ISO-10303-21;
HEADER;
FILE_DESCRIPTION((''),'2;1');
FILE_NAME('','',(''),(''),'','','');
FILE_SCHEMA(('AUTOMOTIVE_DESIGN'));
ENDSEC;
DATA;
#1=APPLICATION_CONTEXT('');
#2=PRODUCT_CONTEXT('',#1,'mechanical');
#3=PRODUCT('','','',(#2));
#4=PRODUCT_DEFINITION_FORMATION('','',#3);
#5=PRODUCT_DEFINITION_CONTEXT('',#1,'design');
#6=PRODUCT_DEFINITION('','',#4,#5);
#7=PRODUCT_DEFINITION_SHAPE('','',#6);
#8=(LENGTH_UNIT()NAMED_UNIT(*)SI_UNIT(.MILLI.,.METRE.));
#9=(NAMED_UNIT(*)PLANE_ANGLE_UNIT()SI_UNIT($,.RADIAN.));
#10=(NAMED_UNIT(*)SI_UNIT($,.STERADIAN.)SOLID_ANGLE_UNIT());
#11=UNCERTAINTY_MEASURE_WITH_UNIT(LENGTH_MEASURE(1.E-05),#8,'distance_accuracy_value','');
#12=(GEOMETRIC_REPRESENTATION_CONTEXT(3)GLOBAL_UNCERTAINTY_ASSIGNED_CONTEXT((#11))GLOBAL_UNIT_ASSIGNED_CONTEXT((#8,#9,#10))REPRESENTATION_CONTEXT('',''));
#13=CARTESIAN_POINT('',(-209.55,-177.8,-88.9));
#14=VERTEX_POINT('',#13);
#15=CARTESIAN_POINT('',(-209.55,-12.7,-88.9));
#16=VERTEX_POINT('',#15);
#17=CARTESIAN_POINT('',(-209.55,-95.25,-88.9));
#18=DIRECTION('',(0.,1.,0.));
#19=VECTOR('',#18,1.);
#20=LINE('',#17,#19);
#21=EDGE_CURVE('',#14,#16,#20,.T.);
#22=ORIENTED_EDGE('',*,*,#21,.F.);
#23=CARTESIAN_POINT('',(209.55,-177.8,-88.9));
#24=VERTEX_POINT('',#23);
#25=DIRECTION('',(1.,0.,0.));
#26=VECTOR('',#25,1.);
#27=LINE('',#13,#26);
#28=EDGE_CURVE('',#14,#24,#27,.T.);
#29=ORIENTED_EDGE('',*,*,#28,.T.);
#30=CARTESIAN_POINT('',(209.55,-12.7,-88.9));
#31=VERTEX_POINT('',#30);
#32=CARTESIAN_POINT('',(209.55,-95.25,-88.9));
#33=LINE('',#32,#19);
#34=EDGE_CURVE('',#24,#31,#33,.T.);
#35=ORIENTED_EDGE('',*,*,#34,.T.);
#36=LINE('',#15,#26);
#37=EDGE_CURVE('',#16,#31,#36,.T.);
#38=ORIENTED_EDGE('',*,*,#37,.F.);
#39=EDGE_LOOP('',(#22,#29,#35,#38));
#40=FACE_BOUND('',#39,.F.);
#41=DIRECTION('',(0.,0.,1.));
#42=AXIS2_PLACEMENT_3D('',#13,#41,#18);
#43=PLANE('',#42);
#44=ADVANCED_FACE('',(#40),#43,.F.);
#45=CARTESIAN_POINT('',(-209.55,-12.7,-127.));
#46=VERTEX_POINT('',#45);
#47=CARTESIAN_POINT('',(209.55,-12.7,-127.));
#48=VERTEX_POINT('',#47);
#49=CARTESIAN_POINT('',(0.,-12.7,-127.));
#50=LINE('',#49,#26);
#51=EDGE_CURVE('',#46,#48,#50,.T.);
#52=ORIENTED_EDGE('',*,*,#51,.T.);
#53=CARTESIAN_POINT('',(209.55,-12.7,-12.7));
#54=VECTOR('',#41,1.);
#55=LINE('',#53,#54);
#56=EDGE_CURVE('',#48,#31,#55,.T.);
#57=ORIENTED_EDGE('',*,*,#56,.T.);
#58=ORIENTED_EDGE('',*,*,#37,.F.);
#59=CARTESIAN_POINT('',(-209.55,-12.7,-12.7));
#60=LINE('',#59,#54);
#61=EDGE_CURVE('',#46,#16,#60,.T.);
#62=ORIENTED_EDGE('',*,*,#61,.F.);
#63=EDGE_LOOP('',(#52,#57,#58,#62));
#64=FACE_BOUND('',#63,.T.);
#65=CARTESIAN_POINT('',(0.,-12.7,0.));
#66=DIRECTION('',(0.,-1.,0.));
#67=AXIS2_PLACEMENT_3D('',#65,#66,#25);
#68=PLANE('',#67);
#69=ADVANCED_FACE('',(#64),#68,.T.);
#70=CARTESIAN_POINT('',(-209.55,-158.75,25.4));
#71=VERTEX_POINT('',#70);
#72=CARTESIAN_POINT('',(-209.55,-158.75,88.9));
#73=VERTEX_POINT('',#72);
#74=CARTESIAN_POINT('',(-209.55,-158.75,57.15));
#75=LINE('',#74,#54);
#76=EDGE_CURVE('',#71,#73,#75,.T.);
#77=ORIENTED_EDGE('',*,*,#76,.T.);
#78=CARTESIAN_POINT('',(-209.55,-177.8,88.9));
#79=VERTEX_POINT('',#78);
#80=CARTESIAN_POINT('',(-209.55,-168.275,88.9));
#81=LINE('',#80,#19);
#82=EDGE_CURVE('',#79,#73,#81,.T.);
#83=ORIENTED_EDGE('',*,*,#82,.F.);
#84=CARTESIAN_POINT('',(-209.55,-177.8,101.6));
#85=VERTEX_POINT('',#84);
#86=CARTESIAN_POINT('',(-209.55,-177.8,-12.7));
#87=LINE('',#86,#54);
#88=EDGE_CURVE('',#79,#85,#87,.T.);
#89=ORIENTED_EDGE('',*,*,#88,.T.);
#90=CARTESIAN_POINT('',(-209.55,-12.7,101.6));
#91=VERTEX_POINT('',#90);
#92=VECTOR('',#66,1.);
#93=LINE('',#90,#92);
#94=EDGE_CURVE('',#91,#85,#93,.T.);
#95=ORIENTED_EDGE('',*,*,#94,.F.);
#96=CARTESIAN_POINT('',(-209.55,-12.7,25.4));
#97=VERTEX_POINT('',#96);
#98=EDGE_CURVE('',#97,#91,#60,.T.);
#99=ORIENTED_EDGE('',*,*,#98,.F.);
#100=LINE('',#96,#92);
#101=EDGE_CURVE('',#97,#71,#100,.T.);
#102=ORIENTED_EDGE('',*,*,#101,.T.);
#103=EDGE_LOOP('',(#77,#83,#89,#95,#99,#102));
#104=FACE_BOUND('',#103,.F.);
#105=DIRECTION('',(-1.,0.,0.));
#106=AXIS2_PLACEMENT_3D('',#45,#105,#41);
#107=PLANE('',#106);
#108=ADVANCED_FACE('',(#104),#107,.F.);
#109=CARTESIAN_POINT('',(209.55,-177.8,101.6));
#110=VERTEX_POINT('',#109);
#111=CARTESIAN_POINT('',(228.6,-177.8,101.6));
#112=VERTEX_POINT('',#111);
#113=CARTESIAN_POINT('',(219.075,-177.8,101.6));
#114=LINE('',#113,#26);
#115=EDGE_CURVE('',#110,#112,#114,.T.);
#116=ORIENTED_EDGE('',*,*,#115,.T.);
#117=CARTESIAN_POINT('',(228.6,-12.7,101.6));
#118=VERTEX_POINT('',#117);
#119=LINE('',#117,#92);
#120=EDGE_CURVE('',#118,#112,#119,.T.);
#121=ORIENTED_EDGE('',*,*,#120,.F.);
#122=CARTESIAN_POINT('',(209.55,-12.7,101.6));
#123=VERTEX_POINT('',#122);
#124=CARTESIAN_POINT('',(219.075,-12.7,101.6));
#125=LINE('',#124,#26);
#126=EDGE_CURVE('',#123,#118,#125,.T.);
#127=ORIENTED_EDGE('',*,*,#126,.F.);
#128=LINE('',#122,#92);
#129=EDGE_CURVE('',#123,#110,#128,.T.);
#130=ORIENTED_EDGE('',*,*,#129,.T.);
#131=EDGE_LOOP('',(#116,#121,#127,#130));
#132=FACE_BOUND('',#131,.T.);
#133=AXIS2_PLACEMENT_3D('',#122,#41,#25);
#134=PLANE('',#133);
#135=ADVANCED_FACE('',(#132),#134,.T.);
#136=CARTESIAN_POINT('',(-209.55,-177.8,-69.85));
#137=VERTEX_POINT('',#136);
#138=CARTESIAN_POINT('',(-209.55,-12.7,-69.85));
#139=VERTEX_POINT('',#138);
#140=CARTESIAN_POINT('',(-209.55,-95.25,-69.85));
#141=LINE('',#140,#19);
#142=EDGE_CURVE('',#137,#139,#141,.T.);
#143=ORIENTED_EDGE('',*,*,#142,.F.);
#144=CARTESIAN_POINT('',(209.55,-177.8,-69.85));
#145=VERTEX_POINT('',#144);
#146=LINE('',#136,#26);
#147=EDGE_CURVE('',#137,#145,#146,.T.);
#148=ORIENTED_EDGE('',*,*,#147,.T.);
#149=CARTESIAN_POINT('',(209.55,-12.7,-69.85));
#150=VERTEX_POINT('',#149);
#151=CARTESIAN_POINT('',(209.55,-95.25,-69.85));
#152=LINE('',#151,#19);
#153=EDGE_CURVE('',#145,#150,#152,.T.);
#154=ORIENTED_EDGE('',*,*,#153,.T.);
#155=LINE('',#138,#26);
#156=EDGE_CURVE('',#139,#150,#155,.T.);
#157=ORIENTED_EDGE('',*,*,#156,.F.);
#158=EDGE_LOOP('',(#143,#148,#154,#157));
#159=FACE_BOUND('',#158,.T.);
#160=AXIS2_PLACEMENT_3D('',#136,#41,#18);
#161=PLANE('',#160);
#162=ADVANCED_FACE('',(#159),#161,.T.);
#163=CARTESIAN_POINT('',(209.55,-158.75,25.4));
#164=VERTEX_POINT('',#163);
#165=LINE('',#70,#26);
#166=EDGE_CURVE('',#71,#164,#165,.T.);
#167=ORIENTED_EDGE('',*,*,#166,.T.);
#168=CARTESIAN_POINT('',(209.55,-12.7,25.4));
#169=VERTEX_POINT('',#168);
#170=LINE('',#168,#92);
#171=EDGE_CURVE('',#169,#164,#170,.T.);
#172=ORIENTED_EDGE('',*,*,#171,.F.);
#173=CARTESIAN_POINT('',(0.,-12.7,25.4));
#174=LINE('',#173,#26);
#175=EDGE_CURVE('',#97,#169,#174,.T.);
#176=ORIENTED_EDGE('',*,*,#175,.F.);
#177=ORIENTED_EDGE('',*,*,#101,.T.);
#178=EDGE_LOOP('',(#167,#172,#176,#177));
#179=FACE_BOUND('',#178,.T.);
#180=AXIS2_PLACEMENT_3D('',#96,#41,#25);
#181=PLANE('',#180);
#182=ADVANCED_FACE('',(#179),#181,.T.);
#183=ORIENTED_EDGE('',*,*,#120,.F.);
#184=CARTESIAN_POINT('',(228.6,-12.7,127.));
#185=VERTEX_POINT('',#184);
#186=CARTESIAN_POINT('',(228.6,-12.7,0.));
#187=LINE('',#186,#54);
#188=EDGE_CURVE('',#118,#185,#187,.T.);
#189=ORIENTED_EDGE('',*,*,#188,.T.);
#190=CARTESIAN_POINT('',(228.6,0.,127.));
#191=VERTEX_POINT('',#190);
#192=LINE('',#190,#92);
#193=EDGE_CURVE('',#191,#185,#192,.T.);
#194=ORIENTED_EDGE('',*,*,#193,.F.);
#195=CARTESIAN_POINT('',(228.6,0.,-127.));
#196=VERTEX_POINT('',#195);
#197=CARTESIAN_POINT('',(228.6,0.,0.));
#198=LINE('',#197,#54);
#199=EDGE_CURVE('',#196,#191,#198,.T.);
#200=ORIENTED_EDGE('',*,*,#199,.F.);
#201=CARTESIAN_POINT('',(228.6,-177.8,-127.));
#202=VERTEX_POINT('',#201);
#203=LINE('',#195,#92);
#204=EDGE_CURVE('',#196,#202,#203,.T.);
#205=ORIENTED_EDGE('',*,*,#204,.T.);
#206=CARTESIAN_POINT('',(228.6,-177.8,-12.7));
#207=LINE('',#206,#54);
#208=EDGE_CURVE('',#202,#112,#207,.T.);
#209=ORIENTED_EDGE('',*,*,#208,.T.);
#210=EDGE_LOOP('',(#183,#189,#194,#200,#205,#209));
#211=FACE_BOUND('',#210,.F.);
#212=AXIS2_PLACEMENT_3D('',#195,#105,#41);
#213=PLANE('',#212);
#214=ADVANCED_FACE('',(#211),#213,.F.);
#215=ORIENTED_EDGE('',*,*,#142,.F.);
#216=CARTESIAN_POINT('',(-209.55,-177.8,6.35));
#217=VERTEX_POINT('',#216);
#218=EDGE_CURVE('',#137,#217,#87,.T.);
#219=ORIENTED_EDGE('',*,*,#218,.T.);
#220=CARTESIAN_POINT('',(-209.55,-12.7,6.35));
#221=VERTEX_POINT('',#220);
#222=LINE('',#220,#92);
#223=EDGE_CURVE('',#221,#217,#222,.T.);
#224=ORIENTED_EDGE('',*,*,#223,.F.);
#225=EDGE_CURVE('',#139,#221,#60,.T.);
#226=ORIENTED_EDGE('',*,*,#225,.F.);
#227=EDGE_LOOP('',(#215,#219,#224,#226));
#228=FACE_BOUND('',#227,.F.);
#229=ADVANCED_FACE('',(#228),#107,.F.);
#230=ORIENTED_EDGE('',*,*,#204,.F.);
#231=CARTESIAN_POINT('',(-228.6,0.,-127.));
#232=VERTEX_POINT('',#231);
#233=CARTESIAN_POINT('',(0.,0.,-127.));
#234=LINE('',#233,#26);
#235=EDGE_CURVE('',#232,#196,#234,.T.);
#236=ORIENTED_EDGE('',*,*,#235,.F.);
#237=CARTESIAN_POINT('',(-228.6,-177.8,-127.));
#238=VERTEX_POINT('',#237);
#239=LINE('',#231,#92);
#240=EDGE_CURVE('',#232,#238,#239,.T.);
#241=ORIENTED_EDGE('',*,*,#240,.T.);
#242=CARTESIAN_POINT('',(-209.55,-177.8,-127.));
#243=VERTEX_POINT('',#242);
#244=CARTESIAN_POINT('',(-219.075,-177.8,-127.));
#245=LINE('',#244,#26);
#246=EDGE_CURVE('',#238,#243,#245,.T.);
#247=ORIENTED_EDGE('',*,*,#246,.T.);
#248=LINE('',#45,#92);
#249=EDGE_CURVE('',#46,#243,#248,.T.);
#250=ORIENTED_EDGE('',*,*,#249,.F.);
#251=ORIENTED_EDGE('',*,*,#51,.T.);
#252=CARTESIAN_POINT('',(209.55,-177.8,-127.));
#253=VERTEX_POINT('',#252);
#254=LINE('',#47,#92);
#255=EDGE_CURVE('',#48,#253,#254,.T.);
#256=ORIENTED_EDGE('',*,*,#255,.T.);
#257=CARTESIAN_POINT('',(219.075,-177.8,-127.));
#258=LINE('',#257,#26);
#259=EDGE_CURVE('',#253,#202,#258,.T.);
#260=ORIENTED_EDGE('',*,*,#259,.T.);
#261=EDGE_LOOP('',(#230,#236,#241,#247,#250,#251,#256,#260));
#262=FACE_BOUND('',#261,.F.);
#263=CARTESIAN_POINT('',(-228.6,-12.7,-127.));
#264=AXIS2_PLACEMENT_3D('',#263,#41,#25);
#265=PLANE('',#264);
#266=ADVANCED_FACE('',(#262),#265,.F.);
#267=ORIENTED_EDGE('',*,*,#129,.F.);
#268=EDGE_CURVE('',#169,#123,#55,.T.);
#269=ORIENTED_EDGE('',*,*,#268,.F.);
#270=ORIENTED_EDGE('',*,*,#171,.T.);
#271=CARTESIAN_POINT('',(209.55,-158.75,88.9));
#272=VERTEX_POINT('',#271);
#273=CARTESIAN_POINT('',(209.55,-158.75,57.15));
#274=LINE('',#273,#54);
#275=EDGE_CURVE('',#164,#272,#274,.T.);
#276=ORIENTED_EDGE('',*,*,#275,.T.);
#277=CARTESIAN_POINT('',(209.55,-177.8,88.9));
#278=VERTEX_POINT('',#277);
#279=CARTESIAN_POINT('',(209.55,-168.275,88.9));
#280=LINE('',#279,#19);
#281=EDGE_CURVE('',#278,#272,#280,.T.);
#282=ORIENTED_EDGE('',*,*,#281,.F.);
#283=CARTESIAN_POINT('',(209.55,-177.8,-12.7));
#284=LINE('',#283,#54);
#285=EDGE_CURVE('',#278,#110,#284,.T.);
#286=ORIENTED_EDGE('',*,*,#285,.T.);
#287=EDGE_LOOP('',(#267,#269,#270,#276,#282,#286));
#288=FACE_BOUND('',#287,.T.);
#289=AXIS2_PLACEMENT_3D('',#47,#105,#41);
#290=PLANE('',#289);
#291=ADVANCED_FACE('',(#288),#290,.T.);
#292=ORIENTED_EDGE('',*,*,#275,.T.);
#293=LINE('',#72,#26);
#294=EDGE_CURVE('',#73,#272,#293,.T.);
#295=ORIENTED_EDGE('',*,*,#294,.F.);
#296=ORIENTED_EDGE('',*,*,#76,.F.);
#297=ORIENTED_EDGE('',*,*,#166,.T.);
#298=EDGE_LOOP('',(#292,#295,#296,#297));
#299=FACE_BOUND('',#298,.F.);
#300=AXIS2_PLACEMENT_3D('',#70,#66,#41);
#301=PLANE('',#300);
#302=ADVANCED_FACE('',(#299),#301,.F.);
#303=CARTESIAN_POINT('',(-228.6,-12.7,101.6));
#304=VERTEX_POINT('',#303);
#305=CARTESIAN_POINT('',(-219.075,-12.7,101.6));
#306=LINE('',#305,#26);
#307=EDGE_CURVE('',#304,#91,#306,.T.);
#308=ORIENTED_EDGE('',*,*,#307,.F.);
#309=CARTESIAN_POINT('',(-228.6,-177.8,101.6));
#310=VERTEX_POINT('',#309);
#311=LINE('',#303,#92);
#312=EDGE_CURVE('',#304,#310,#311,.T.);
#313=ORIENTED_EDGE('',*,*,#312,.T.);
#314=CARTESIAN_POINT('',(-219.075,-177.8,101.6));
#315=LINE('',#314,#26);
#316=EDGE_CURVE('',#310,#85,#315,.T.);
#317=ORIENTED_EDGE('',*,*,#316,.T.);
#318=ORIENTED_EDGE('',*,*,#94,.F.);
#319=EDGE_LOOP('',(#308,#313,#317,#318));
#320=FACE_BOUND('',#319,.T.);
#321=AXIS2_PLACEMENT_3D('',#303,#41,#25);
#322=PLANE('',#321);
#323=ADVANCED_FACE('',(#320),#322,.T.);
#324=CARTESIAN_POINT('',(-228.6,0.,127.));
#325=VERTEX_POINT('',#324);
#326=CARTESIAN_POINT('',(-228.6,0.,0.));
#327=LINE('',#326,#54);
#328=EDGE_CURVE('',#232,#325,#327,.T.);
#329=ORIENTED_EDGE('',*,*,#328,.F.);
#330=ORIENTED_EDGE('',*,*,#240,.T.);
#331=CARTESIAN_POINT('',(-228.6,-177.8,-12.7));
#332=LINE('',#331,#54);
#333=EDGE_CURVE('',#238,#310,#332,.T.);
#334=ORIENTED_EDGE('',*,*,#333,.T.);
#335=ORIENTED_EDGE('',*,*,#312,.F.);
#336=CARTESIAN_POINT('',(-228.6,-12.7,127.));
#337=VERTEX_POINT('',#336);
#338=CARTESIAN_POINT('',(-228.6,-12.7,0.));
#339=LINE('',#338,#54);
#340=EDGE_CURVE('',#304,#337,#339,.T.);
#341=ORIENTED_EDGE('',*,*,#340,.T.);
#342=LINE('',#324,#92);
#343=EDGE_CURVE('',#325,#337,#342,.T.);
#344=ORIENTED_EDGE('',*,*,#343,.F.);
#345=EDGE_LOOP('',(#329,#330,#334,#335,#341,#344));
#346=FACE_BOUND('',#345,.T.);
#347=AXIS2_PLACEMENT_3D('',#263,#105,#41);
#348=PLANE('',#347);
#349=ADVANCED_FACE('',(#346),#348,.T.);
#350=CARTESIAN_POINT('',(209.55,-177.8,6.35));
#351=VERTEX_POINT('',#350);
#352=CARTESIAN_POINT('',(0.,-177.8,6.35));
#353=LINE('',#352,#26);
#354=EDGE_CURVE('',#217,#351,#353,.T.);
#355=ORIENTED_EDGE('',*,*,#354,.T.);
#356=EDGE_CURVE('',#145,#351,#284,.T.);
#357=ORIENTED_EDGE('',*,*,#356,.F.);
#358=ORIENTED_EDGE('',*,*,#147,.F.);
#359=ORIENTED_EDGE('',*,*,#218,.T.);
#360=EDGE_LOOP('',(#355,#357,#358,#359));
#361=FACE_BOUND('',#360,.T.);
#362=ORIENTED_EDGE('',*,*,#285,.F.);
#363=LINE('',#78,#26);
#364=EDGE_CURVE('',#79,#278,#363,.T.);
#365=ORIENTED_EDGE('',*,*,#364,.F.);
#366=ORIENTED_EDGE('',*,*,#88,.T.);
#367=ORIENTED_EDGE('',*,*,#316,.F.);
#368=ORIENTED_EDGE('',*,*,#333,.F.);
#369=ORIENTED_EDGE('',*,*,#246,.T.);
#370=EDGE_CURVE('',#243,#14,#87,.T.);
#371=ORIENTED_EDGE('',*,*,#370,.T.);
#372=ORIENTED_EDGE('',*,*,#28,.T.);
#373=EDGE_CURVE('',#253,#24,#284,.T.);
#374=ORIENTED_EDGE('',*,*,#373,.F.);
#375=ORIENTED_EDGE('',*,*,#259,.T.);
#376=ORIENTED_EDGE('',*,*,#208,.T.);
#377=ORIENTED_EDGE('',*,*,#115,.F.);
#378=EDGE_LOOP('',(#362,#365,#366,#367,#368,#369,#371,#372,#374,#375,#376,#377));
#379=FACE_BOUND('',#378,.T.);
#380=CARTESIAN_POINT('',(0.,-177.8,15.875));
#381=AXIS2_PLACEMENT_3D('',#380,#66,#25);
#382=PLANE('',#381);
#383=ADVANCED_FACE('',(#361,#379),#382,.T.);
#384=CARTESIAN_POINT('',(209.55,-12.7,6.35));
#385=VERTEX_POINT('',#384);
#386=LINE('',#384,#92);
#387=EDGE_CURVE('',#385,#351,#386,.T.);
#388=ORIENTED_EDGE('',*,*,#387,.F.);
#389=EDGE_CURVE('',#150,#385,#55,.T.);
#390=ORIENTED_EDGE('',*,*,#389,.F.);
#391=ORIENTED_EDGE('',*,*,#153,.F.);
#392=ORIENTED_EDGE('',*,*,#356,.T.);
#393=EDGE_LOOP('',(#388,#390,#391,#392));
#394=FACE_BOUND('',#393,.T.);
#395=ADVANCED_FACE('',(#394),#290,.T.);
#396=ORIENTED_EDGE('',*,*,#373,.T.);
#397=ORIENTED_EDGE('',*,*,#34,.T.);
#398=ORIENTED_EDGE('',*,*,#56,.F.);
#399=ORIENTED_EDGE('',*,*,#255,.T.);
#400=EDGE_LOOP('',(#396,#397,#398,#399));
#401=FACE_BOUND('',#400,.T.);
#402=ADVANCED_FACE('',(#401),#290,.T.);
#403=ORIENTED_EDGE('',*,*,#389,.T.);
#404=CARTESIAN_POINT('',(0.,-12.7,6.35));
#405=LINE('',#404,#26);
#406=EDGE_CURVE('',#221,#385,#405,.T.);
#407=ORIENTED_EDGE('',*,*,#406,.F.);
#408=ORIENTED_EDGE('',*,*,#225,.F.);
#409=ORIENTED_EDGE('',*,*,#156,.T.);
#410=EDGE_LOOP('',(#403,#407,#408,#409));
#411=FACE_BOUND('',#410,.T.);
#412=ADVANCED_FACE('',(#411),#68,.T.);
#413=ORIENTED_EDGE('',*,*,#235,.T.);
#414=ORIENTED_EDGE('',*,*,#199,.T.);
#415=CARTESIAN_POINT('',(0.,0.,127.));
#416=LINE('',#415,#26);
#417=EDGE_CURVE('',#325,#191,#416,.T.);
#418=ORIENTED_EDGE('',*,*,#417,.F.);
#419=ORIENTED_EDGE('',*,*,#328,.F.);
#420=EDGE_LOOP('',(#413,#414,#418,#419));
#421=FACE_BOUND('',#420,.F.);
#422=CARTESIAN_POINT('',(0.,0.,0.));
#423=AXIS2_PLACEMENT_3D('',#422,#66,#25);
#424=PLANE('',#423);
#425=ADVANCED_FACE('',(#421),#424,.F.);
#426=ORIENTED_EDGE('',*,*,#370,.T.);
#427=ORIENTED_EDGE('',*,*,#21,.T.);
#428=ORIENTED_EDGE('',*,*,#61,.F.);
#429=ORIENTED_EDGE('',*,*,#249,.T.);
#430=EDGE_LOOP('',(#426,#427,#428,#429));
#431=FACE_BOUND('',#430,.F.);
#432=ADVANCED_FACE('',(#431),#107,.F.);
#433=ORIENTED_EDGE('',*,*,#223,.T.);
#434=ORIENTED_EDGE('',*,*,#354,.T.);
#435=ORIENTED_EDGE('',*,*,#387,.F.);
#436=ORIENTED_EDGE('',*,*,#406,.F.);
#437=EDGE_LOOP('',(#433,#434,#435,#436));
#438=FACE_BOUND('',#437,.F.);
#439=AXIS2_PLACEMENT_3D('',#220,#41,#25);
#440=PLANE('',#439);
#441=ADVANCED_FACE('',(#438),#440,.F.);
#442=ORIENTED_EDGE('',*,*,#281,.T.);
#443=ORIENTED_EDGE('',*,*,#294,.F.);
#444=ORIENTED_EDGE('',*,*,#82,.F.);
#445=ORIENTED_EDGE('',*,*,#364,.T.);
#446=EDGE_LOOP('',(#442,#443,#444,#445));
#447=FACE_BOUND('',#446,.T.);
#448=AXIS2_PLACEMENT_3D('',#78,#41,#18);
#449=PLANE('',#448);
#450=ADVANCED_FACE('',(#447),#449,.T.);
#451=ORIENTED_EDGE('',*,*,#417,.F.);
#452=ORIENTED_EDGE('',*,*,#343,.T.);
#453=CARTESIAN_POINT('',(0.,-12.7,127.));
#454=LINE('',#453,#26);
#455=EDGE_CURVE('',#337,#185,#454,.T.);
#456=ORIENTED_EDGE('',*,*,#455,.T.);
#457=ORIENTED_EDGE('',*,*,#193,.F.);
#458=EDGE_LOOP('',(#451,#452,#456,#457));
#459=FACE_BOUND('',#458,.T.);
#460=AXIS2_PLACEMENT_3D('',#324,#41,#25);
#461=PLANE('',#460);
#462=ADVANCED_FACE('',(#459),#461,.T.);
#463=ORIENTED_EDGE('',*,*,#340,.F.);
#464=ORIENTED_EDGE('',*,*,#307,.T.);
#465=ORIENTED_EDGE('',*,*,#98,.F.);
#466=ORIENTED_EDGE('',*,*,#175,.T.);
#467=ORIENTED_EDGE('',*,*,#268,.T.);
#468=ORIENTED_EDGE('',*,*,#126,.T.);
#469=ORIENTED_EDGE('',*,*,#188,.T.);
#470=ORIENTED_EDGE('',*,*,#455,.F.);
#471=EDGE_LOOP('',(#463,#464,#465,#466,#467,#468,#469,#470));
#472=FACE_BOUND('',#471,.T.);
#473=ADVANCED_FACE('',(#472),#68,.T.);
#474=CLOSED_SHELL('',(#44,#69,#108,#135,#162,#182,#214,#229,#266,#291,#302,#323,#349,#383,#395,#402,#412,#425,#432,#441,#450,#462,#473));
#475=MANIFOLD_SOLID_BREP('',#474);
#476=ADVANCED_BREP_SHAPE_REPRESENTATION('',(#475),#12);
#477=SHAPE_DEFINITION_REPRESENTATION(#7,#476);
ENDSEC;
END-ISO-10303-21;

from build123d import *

# Parameters (mm, degrees)
F0_W     = 457.2
F0_H     = 254
F1_DEPTH = 12.7
F2_W     = 19.05
F2_H     = 228.6
F3_DEPTH = 165.1
F4_W     = 19.05
F4_H     = 63.5
F5_DEPTH = 419.1
F6_W     = 419.1
F6_H     = 19.05
F7_DEPTH = 165.1
F8_W     = 165.1
F8_H     = 19.05
F9_DEPTH = 419.1


with BuildPart() as f1:
    # F0 (on Front) → F1 (new body)
    with BuildSketch(Plane.XZ):
        Rectangle(F0_W, F0_H)
    extrude(amount=F1_DEPTH)

    # F2 (on face) → F3 (join)
    with BuildSketch(Plane.XZ.offset(12.7)):
        with Locations((-219.075, -12.7)):
            Rectangle(F2_W, F2_H)
        with Locations((219.075, -12.7)):
            Rectangle(F2_W, F2_H)
    extrude(amount=F3_DEPTH)

    # F4 (on face) → F5 (join, through all)
    with BuildSketch(Plane.YZ.offset(-209.55)):
        with Locations((-168.275, 57.15)):
            Rectangle(F4_W, F4_H)
    extrude(amount=F5_DEPTH)

    # F6 (on face) → F7 (join, through all)
    with BuildSketch(Plane.XZ.offset(12.7)):
        with Locations((0, 15.875)):
            Rectangle(F6_W, F6_H)
    extrude(amount=F7_DEPTH)

    # F8 (on face) → F9 (join, through all)
    with BuildSketch(Plane.YZ.offset(-209.55)):
        with Locations((-95.25, -79.375)):
            Rectangle(F8_W, F8_H)
    extrude(amount=F9_DEPTH)


solid = f1.part
